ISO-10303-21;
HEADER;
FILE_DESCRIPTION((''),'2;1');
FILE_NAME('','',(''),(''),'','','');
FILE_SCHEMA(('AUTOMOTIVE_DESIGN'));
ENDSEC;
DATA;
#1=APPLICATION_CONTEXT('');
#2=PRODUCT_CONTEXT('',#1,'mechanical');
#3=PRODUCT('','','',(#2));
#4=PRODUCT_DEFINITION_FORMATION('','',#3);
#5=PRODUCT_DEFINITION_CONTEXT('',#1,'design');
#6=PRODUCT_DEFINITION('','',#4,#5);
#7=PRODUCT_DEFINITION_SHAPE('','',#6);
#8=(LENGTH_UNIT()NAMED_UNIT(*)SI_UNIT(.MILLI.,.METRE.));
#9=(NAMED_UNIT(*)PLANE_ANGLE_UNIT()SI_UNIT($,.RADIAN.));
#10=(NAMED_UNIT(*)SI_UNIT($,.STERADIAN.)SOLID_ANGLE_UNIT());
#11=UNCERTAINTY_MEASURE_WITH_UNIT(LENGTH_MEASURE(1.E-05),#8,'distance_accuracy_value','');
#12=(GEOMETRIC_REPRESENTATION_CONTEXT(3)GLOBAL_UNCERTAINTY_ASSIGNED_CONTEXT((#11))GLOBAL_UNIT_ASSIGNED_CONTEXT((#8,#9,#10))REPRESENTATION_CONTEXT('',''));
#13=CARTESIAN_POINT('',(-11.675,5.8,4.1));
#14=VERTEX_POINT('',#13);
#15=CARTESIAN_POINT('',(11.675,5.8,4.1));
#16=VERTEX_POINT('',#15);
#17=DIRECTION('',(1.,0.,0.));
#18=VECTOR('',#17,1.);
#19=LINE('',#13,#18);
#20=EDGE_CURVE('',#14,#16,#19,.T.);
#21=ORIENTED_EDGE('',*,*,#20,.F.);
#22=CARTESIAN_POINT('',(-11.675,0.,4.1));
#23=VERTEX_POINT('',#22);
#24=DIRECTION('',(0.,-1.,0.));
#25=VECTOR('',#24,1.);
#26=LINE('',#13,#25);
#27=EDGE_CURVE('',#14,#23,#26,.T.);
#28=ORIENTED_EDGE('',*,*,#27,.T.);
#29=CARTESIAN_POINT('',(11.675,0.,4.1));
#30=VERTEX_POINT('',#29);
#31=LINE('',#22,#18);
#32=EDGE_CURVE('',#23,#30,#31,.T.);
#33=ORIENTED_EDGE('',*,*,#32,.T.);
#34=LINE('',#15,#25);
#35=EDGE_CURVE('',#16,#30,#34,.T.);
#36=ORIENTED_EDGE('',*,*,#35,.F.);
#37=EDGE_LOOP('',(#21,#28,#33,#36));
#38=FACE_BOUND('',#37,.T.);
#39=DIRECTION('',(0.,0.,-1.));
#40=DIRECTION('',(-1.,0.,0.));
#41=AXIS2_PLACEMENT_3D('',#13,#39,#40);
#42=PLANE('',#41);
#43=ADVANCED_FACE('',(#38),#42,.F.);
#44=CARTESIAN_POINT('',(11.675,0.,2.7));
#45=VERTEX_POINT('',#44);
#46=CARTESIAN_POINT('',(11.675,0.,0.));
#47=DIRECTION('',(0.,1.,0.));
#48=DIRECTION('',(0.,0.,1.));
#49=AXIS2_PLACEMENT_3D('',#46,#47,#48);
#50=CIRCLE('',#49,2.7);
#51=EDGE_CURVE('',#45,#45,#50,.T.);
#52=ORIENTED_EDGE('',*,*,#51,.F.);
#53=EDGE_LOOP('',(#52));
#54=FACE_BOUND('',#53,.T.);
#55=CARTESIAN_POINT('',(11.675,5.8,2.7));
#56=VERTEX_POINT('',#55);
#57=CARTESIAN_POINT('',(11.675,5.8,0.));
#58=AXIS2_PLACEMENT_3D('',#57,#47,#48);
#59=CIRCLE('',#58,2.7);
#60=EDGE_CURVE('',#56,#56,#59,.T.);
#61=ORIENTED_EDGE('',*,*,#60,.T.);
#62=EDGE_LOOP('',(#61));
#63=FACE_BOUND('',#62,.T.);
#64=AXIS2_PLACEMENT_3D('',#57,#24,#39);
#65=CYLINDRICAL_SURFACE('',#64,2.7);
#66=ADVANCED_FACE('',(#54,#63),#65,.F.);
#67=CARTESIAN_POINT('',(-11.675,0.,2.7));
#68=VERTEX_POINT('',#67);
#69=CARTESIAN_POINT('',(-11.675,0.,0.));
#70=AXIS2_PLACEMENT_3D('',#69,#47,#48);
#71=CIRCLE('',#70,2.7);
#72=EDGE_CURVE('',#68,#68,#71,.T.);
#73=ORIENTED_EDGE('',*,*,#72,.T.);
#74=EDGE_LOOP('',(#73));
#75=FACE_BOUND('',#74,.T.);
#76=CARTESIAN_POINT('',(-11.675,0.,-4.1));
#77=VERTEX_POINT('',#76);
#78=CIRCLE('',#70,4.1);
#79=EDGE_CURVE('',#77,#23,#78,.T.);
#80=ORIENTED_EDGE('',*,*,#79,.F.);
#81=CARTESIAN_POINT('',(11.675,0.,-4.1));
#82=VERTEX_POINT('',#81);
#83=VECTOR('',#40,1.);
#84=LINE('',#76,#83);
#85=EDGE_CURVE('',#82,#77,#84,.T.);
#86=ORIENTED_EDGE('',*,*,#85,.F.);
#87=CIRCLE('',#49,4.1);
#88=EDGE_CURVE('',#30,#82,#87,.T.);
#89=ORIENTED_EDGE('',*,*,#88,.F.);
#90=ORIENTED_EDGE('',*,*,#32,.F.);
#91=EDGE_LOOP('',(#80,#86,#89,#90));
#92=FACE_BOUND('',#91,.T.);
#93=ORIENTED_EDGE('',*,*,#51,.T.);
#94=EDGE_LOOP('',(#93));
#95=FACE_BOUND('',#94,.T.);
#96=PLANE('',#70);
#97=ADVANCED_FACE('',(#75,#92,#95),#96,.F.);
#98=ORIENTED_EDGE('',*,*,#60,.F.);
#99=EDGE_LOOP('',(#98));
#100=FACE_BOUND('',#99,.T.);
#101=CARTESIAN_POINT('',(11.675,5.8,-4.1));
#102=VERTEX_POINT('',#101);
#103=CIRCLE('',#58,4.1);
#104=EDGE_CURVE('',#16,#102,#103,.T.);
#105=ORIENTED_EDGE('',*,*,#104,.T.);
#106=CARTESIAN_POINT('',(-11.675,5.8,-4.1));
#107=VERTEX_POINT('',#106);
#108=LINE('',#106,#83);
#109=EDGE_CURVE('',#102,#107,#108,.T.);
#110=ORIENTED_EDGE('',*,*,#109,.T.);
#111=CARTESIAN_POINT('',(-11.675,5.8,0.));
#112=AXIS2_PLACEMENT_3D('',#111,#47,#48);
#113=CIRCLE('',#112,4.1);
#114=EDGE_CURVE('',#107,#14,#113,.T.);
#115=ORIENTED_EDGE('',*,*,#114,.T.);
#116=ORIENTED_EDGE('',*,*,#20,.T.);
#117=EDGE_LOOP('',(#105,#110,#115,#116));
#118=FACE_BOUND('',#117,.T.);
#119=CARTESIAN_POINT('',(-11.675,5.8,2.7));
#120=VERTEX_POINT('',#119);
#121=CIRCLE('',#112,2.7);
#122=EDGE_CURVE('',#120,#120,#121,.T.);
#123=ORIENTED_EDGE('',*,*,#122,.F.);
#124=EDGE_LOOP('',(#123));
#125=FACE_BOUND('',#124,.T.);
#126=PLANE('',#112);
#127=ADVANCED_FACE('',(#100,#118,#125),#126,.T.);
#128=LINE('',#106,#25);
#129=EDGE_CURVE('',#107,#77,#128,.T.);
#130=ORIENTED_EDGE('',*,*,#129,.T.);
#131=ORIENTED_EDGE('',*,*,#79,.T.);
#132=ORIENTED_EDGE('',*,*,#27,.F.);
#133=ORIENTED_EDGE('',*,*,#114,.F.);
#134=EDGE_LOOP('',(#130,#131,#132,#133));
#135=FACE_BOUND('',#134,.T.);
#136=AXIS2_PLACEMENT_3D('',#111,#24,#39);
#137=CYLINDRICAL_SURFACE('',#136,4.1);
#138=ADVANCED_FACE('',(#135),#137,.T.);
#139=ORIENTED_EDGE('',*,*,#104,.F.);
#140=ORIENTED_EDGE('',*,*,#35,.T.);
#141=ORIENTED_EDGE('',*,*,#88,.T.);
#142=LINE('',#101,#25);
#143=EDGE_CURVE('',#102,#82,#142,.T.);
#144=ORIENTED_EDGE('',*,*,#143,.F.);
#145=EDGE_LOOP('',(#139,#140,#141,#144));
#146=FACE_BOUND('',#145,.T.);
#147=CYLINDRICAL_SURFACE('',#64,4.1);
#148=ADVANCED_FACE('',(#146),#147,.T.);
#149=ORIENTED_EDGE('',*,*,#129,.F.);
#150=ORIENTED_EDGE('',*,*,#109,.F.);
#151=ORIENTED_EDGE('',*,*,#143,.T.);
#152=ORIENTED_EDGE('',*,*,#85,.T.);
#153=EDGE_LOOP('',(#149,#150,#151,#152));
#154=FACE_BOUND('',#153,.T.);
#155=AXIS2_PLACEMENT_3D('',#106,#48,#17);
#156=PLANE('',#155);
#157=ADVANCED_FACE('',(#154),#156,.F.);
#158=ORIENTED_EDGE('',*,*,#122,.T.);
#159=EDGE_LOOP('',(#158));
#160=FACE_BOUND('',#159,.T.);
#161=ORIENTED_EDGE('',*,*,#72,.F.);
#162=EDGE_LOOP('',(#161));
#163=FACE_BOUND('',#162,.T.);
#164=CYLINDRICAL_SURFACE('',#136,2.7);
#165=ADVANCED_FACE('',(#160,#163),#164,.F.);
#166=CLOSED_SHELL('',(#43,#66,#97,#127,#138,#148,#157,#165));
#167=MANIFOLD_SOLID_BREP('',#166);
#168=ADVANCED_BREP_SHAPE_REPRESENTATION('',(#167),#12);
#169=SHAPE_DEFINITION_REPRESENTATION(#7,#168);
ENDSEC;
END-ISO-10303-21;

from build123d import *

# Parameters (mm, degrees)
SKETCH1_R           = 2.7
BOSS_EXTRUDE1_DEPTH = 5.8


with BuildPart() as part:
    # Sketch1 → Boss-Extrude1 (new body)
    with BuildSketch(Plane(origin=(0, 0, 0), x_dir=(1, 0, 0), z_dir=(0, 1, 0))):
        with BuildLine():
            Line((-11.675, 4.1), (11.675, 4.1))
            ThreePointArc((11.675, 4.1), (15.775, 0), (11.675, -4.1))
            Line((11.675, -4.1), (-11.675, -4.1))
            ThreePointArc((-11.675, -4.1), (-15.775, 0), (-11.675, 4.1))
        make_face()
        with Locations(Location((-11.675, 0, 0), (0, 0, 270))):
            Circle(SKETCH1_R, mode=Mode.SUBTRACT)
        with Locations(Location((11.675, 0, 0), (0, 0, 270))):
            Circle(SKETCH1_R, mode=Mode.SUBTRACT)
    extrude(amount=BOSS_EXTRUDE1_DEPTH)


solid = part.part
